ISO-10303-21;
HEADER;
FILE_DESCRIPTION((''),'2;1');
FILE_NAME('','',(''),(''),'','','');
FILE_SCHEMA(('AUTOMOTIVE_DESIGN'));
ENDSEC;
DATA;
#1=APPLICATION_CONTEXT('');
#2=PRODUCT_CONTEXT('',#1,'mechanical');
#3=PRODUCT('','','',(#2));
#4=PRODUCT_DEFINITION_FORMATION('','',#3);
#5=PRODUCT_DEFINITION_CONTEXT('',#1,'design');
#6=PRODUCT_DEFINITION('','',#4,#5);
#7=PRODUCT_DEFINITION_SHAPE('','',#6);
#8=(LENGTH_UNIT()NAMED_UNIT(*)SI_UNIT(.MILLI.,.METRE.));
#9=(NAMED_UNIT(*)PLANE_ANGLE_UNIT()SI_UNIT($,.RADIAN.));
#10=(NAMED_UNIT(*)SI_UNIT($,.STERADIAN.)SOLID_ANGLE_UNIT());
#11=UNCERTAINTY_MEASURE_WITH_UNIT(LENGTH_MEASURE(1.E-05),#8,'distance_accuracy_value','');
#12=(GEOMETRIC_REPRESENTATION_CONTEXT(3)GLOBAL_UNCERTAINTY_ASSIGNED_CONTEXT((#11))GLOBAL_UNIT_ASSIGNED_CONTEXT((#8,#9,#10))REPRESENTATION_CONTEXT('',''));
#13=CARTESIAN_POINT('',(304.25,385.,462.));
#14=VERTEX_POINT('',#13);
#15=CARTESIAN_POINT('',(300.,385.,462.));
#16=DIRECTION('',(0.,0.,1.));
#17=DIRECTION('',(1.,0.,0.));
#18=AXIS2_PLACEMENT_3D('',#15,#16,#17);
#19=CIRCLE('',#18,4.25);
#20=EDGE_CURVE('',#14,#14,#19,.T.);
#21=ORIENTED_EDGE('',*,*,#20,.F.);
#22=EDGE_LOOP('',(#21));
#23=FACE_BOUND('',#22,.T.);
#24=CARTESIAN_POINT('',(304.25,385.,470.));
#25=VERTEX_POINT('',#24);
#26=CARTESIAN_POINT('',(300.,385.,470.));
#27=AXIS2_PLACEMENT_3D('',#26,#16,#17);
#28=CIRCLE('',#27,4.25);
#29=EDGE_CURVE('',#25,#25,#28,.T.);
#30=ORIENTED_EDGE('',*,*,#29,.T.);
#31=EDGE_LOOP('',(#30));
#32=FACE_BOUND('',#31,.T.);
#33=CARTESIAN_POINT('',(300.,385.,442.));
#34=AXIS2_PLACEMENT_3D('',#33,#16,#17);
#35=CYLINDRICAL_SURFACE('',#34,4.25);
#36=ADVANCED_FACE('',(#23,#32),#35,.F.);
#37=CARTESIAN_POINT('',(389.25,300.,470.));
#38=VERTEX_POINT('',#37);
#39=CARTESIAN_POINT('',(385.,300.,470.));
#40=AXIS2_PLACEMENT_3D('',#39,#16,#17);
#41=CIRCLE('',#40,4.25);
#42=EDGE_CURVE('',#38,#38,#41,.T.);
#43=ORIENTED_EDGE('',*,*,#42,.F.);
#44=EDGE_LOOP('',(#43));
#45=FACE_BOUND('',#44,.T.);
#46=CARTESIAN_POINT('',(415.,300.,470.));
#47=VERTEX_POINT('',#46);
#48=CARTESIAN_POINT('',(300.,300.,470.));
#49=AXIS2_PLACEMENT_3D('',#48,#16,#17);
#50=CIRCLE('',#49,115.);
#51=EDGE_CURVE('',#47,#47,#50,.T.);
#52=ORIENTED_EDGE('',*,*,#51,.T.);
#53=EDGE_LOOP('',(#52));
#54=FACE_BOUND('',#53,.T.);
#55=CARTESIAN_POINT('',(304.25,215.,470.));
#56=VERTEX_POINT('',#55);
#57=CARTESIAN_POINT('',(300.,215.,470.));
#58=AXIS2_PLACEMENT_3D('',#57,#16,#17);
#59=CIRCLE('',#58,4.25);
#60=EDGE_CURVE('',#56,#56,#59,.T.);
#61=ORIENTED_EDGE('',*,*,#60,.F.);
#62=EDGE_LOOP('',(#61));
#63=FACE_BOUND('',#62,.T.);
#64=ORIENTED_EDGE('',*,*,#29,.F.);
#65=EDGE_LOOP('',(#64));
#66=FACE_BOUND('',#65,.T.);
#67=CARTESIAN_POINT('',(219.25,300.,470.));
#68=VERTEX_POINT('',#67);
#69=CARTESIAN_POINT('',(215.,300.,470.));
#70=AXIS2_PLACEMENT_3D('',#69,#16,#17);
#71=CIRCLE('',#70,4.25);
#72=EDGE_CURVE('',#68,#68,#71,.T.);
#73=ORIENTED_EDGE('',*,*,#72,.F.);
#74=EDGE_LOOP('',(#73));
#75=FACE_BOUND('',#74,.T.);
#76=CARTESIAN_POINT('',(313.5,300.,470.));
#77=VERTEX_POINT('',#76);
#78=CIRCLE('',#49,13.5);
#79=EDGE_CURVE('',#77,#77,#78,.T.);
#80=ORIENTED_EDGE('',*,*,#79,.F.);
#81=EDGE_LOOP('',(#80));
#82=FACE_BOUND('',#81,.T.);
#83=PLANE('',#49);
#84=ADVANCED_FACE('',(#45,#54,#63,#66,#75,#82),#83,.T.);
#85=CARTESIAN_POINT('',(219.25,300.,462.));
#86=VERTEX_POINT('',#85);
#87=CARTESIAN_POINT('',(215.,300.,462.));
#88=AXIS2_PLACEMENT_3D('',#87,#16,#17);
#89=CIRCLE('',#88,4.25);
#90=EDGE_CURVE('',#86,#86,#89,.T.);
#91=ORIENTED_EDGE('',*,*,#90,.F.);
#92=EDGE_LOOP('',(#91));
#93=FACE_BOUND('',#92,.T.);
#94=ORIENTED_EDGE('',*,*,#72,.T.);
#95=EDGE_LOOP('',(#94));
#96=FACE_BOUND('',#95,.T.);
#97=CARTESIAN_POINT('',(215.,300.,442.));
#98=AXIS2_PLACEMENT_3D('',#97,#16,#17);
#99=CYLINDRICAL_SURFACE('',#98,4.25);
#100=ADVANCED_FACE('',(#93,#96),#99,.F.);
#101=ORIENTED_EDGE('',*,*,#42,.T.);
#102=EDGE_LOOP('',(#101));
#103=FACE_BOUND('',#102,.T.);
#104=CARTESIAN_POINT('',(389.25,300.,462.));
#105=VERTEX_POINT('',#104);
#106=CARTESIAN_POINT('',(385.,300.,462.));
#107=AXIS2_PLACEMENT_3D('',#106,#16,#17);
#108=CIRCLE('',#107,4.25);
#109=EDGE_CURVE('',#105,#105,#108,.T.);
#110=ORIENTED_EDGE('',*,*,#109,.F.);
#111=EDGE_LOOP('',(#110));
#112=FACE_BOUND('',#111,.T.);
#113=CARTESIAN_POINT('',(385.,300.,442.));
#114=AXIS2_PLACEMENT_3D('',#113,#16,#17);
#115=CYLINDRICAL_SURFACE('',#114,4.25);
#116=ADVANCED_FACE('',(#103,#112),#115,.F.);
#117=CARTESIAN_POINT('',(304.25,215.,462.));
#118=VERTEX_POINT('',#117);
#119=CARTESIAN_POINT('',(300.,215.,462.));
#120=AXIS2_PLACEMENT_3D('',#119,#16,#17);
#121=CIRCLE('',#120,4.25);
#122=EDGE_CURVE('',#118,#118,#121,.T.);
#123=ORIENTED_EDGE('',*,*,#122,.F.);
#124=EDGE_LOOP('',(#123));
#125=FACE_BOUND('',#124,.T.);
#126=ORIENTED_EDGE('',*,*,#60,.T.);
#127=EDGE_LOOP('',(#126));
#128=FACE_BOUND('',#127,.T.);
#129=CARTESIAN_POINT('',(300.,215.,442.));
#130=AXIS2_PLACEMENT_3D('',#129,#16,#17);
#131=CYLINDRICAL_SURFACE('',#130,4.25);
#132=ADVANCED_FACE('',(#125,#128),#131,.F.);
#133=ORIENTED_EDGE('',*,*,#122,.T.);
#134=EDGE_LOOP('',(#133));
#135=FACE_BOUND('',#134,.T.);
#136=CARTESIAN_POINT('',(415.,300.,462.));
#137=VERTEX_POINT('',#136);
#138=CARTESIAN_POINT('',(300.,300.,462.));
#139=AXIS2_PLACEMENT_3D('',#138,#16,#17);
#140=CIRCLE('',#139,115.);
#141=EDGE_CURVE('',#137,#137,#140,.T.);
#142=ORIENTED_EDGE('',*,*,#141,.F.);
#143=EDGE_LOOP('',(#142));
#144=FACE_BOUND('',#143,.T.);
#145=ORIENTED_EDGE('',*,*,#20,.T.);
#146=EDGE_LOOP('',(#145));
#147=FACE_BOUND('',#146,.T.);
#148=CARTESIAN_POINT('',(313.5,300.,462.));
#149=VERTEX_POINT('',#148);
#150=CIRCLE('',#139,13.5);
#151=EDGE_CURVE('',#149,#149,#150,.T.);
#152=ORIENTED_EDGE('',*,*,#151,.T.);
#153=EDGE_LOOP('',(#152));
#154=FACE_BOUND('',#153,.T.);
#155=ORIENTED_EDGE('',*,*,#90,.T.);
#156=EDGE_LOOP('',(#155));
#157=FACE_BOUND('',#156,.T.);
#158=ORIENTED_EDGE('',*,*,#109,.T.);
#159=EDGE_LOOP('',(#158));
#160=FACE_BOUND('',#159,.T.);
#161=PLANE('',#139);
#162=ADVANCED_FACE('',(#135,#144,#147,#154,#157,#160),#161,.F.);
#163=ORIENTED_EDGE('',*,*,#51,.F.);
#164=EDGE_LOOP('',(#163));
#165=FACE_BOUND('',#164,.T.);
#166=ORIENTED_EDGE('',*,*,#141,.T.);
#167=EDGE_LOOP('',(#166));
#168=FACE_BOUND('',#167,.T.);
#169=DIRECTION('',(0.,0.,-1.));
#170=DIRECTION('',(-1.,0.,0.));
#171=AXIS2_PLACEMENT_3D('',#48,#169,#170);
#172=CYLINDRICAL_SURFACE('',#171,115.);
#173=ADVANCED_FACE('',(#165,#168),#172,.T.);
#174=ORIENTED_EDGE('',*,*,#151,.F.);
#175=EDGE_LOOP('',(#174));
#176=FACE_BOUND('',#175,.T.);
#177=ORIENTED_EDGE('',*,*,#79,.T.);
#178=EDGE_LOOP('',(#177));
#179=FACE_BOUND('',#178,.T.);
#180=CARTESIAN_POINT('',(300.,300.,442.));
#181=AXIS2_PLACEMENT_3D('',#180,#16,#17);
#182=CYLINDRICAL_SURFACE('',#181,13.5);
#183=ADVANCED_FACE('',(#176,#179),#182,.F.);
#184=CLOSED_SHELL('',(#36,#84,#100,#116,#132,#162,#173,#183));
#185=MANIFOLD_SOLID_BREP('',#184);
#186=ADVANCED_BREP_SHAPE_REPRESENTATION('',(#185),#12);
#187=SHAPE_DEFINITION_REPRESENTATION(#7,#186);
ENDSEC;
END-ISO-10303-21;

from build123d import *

# Parameters (mm, degrees)
SKETCH1_R           = 115
BOSS_EXTRUDE1_DEPTH = 8
SKETCH2_R           = 4.25
CUT_EXTRUDE1_DEPTH  = 28
SKETCH3_R           = 4.25
CUT_EXTRUDE2_DEPTH  = 28
SKETCH4_R           = 4.25
CUT_EXTRUDE3_DEPTH  = 28
SKETCH5_R           = 4.25
CUT_EXTRUDE4_DEPTH  = 28
SKETCH6_R           = 13.5
CUT_EXTRUDE5_DEPTH  = 28


with BuildPart() as part:
    # Sketch1 → Boss-Extrude1 (new body)
    with BuildSketch(Plane.XY.offset(462)):
        with Locations((300, 300)):
            Circle(SKETCH1_R)
    extrude(amount=BOSS_EXTRUDE1_DEPTH)

    # Sketch2 → Cut-Extrude1 (cut)
    with BuildSketch(Plane.XY.offset(470)):
        with Locations((385, 300)):
            Circle(SKETCH2_R)
    extrude(amount=-CUT_EXTRUDE1_DEPTH, mode=Mode.SUBTRACT)

    # Sketch3 → Cut-Extrude2 (cut)
    with BuildSketch(Plane.XY.offset(470)):
        with Locations((215, 300)):
            Circle(SKETCH3_R)
    extrude(amount=-CUT_EXTRUDE2_DEPTH, mode=Mode.SUBTRACT)

    # Sketch4 → Cut-Extrude3 (cut)
    with BuildSketch(Plane.XY.offset(470)):
        with Locations((300, 385)):
            Circle(SKETCH4_R)
    extrude(amount=-CUT_EXTRUDE3_DEPTH, mode=Mode.SUBTRACT)

    # Sketch5 → Cut-Extrude4 (cut)
    with BuildSketch(Plane.XY.offset(470)):
        with Locations((300, 215)):
            Circle(SKETCH5_R)
    extrude(amount=-CUT_EXTRUDE4_DEPTH, mode=Mode.SUBTRACT)

    # Sketch6 → Cut-Extrude5 (cut)
    with BuildSketch(Plane.XY.offset(470)):
        with Locations((300, 300)):
            Circle(SKETCH6_R)
    extrude(amount=-CUT_EXTRUDE5_DEPTH, mode=Mode.SUBTRACT)


solid = part.part
